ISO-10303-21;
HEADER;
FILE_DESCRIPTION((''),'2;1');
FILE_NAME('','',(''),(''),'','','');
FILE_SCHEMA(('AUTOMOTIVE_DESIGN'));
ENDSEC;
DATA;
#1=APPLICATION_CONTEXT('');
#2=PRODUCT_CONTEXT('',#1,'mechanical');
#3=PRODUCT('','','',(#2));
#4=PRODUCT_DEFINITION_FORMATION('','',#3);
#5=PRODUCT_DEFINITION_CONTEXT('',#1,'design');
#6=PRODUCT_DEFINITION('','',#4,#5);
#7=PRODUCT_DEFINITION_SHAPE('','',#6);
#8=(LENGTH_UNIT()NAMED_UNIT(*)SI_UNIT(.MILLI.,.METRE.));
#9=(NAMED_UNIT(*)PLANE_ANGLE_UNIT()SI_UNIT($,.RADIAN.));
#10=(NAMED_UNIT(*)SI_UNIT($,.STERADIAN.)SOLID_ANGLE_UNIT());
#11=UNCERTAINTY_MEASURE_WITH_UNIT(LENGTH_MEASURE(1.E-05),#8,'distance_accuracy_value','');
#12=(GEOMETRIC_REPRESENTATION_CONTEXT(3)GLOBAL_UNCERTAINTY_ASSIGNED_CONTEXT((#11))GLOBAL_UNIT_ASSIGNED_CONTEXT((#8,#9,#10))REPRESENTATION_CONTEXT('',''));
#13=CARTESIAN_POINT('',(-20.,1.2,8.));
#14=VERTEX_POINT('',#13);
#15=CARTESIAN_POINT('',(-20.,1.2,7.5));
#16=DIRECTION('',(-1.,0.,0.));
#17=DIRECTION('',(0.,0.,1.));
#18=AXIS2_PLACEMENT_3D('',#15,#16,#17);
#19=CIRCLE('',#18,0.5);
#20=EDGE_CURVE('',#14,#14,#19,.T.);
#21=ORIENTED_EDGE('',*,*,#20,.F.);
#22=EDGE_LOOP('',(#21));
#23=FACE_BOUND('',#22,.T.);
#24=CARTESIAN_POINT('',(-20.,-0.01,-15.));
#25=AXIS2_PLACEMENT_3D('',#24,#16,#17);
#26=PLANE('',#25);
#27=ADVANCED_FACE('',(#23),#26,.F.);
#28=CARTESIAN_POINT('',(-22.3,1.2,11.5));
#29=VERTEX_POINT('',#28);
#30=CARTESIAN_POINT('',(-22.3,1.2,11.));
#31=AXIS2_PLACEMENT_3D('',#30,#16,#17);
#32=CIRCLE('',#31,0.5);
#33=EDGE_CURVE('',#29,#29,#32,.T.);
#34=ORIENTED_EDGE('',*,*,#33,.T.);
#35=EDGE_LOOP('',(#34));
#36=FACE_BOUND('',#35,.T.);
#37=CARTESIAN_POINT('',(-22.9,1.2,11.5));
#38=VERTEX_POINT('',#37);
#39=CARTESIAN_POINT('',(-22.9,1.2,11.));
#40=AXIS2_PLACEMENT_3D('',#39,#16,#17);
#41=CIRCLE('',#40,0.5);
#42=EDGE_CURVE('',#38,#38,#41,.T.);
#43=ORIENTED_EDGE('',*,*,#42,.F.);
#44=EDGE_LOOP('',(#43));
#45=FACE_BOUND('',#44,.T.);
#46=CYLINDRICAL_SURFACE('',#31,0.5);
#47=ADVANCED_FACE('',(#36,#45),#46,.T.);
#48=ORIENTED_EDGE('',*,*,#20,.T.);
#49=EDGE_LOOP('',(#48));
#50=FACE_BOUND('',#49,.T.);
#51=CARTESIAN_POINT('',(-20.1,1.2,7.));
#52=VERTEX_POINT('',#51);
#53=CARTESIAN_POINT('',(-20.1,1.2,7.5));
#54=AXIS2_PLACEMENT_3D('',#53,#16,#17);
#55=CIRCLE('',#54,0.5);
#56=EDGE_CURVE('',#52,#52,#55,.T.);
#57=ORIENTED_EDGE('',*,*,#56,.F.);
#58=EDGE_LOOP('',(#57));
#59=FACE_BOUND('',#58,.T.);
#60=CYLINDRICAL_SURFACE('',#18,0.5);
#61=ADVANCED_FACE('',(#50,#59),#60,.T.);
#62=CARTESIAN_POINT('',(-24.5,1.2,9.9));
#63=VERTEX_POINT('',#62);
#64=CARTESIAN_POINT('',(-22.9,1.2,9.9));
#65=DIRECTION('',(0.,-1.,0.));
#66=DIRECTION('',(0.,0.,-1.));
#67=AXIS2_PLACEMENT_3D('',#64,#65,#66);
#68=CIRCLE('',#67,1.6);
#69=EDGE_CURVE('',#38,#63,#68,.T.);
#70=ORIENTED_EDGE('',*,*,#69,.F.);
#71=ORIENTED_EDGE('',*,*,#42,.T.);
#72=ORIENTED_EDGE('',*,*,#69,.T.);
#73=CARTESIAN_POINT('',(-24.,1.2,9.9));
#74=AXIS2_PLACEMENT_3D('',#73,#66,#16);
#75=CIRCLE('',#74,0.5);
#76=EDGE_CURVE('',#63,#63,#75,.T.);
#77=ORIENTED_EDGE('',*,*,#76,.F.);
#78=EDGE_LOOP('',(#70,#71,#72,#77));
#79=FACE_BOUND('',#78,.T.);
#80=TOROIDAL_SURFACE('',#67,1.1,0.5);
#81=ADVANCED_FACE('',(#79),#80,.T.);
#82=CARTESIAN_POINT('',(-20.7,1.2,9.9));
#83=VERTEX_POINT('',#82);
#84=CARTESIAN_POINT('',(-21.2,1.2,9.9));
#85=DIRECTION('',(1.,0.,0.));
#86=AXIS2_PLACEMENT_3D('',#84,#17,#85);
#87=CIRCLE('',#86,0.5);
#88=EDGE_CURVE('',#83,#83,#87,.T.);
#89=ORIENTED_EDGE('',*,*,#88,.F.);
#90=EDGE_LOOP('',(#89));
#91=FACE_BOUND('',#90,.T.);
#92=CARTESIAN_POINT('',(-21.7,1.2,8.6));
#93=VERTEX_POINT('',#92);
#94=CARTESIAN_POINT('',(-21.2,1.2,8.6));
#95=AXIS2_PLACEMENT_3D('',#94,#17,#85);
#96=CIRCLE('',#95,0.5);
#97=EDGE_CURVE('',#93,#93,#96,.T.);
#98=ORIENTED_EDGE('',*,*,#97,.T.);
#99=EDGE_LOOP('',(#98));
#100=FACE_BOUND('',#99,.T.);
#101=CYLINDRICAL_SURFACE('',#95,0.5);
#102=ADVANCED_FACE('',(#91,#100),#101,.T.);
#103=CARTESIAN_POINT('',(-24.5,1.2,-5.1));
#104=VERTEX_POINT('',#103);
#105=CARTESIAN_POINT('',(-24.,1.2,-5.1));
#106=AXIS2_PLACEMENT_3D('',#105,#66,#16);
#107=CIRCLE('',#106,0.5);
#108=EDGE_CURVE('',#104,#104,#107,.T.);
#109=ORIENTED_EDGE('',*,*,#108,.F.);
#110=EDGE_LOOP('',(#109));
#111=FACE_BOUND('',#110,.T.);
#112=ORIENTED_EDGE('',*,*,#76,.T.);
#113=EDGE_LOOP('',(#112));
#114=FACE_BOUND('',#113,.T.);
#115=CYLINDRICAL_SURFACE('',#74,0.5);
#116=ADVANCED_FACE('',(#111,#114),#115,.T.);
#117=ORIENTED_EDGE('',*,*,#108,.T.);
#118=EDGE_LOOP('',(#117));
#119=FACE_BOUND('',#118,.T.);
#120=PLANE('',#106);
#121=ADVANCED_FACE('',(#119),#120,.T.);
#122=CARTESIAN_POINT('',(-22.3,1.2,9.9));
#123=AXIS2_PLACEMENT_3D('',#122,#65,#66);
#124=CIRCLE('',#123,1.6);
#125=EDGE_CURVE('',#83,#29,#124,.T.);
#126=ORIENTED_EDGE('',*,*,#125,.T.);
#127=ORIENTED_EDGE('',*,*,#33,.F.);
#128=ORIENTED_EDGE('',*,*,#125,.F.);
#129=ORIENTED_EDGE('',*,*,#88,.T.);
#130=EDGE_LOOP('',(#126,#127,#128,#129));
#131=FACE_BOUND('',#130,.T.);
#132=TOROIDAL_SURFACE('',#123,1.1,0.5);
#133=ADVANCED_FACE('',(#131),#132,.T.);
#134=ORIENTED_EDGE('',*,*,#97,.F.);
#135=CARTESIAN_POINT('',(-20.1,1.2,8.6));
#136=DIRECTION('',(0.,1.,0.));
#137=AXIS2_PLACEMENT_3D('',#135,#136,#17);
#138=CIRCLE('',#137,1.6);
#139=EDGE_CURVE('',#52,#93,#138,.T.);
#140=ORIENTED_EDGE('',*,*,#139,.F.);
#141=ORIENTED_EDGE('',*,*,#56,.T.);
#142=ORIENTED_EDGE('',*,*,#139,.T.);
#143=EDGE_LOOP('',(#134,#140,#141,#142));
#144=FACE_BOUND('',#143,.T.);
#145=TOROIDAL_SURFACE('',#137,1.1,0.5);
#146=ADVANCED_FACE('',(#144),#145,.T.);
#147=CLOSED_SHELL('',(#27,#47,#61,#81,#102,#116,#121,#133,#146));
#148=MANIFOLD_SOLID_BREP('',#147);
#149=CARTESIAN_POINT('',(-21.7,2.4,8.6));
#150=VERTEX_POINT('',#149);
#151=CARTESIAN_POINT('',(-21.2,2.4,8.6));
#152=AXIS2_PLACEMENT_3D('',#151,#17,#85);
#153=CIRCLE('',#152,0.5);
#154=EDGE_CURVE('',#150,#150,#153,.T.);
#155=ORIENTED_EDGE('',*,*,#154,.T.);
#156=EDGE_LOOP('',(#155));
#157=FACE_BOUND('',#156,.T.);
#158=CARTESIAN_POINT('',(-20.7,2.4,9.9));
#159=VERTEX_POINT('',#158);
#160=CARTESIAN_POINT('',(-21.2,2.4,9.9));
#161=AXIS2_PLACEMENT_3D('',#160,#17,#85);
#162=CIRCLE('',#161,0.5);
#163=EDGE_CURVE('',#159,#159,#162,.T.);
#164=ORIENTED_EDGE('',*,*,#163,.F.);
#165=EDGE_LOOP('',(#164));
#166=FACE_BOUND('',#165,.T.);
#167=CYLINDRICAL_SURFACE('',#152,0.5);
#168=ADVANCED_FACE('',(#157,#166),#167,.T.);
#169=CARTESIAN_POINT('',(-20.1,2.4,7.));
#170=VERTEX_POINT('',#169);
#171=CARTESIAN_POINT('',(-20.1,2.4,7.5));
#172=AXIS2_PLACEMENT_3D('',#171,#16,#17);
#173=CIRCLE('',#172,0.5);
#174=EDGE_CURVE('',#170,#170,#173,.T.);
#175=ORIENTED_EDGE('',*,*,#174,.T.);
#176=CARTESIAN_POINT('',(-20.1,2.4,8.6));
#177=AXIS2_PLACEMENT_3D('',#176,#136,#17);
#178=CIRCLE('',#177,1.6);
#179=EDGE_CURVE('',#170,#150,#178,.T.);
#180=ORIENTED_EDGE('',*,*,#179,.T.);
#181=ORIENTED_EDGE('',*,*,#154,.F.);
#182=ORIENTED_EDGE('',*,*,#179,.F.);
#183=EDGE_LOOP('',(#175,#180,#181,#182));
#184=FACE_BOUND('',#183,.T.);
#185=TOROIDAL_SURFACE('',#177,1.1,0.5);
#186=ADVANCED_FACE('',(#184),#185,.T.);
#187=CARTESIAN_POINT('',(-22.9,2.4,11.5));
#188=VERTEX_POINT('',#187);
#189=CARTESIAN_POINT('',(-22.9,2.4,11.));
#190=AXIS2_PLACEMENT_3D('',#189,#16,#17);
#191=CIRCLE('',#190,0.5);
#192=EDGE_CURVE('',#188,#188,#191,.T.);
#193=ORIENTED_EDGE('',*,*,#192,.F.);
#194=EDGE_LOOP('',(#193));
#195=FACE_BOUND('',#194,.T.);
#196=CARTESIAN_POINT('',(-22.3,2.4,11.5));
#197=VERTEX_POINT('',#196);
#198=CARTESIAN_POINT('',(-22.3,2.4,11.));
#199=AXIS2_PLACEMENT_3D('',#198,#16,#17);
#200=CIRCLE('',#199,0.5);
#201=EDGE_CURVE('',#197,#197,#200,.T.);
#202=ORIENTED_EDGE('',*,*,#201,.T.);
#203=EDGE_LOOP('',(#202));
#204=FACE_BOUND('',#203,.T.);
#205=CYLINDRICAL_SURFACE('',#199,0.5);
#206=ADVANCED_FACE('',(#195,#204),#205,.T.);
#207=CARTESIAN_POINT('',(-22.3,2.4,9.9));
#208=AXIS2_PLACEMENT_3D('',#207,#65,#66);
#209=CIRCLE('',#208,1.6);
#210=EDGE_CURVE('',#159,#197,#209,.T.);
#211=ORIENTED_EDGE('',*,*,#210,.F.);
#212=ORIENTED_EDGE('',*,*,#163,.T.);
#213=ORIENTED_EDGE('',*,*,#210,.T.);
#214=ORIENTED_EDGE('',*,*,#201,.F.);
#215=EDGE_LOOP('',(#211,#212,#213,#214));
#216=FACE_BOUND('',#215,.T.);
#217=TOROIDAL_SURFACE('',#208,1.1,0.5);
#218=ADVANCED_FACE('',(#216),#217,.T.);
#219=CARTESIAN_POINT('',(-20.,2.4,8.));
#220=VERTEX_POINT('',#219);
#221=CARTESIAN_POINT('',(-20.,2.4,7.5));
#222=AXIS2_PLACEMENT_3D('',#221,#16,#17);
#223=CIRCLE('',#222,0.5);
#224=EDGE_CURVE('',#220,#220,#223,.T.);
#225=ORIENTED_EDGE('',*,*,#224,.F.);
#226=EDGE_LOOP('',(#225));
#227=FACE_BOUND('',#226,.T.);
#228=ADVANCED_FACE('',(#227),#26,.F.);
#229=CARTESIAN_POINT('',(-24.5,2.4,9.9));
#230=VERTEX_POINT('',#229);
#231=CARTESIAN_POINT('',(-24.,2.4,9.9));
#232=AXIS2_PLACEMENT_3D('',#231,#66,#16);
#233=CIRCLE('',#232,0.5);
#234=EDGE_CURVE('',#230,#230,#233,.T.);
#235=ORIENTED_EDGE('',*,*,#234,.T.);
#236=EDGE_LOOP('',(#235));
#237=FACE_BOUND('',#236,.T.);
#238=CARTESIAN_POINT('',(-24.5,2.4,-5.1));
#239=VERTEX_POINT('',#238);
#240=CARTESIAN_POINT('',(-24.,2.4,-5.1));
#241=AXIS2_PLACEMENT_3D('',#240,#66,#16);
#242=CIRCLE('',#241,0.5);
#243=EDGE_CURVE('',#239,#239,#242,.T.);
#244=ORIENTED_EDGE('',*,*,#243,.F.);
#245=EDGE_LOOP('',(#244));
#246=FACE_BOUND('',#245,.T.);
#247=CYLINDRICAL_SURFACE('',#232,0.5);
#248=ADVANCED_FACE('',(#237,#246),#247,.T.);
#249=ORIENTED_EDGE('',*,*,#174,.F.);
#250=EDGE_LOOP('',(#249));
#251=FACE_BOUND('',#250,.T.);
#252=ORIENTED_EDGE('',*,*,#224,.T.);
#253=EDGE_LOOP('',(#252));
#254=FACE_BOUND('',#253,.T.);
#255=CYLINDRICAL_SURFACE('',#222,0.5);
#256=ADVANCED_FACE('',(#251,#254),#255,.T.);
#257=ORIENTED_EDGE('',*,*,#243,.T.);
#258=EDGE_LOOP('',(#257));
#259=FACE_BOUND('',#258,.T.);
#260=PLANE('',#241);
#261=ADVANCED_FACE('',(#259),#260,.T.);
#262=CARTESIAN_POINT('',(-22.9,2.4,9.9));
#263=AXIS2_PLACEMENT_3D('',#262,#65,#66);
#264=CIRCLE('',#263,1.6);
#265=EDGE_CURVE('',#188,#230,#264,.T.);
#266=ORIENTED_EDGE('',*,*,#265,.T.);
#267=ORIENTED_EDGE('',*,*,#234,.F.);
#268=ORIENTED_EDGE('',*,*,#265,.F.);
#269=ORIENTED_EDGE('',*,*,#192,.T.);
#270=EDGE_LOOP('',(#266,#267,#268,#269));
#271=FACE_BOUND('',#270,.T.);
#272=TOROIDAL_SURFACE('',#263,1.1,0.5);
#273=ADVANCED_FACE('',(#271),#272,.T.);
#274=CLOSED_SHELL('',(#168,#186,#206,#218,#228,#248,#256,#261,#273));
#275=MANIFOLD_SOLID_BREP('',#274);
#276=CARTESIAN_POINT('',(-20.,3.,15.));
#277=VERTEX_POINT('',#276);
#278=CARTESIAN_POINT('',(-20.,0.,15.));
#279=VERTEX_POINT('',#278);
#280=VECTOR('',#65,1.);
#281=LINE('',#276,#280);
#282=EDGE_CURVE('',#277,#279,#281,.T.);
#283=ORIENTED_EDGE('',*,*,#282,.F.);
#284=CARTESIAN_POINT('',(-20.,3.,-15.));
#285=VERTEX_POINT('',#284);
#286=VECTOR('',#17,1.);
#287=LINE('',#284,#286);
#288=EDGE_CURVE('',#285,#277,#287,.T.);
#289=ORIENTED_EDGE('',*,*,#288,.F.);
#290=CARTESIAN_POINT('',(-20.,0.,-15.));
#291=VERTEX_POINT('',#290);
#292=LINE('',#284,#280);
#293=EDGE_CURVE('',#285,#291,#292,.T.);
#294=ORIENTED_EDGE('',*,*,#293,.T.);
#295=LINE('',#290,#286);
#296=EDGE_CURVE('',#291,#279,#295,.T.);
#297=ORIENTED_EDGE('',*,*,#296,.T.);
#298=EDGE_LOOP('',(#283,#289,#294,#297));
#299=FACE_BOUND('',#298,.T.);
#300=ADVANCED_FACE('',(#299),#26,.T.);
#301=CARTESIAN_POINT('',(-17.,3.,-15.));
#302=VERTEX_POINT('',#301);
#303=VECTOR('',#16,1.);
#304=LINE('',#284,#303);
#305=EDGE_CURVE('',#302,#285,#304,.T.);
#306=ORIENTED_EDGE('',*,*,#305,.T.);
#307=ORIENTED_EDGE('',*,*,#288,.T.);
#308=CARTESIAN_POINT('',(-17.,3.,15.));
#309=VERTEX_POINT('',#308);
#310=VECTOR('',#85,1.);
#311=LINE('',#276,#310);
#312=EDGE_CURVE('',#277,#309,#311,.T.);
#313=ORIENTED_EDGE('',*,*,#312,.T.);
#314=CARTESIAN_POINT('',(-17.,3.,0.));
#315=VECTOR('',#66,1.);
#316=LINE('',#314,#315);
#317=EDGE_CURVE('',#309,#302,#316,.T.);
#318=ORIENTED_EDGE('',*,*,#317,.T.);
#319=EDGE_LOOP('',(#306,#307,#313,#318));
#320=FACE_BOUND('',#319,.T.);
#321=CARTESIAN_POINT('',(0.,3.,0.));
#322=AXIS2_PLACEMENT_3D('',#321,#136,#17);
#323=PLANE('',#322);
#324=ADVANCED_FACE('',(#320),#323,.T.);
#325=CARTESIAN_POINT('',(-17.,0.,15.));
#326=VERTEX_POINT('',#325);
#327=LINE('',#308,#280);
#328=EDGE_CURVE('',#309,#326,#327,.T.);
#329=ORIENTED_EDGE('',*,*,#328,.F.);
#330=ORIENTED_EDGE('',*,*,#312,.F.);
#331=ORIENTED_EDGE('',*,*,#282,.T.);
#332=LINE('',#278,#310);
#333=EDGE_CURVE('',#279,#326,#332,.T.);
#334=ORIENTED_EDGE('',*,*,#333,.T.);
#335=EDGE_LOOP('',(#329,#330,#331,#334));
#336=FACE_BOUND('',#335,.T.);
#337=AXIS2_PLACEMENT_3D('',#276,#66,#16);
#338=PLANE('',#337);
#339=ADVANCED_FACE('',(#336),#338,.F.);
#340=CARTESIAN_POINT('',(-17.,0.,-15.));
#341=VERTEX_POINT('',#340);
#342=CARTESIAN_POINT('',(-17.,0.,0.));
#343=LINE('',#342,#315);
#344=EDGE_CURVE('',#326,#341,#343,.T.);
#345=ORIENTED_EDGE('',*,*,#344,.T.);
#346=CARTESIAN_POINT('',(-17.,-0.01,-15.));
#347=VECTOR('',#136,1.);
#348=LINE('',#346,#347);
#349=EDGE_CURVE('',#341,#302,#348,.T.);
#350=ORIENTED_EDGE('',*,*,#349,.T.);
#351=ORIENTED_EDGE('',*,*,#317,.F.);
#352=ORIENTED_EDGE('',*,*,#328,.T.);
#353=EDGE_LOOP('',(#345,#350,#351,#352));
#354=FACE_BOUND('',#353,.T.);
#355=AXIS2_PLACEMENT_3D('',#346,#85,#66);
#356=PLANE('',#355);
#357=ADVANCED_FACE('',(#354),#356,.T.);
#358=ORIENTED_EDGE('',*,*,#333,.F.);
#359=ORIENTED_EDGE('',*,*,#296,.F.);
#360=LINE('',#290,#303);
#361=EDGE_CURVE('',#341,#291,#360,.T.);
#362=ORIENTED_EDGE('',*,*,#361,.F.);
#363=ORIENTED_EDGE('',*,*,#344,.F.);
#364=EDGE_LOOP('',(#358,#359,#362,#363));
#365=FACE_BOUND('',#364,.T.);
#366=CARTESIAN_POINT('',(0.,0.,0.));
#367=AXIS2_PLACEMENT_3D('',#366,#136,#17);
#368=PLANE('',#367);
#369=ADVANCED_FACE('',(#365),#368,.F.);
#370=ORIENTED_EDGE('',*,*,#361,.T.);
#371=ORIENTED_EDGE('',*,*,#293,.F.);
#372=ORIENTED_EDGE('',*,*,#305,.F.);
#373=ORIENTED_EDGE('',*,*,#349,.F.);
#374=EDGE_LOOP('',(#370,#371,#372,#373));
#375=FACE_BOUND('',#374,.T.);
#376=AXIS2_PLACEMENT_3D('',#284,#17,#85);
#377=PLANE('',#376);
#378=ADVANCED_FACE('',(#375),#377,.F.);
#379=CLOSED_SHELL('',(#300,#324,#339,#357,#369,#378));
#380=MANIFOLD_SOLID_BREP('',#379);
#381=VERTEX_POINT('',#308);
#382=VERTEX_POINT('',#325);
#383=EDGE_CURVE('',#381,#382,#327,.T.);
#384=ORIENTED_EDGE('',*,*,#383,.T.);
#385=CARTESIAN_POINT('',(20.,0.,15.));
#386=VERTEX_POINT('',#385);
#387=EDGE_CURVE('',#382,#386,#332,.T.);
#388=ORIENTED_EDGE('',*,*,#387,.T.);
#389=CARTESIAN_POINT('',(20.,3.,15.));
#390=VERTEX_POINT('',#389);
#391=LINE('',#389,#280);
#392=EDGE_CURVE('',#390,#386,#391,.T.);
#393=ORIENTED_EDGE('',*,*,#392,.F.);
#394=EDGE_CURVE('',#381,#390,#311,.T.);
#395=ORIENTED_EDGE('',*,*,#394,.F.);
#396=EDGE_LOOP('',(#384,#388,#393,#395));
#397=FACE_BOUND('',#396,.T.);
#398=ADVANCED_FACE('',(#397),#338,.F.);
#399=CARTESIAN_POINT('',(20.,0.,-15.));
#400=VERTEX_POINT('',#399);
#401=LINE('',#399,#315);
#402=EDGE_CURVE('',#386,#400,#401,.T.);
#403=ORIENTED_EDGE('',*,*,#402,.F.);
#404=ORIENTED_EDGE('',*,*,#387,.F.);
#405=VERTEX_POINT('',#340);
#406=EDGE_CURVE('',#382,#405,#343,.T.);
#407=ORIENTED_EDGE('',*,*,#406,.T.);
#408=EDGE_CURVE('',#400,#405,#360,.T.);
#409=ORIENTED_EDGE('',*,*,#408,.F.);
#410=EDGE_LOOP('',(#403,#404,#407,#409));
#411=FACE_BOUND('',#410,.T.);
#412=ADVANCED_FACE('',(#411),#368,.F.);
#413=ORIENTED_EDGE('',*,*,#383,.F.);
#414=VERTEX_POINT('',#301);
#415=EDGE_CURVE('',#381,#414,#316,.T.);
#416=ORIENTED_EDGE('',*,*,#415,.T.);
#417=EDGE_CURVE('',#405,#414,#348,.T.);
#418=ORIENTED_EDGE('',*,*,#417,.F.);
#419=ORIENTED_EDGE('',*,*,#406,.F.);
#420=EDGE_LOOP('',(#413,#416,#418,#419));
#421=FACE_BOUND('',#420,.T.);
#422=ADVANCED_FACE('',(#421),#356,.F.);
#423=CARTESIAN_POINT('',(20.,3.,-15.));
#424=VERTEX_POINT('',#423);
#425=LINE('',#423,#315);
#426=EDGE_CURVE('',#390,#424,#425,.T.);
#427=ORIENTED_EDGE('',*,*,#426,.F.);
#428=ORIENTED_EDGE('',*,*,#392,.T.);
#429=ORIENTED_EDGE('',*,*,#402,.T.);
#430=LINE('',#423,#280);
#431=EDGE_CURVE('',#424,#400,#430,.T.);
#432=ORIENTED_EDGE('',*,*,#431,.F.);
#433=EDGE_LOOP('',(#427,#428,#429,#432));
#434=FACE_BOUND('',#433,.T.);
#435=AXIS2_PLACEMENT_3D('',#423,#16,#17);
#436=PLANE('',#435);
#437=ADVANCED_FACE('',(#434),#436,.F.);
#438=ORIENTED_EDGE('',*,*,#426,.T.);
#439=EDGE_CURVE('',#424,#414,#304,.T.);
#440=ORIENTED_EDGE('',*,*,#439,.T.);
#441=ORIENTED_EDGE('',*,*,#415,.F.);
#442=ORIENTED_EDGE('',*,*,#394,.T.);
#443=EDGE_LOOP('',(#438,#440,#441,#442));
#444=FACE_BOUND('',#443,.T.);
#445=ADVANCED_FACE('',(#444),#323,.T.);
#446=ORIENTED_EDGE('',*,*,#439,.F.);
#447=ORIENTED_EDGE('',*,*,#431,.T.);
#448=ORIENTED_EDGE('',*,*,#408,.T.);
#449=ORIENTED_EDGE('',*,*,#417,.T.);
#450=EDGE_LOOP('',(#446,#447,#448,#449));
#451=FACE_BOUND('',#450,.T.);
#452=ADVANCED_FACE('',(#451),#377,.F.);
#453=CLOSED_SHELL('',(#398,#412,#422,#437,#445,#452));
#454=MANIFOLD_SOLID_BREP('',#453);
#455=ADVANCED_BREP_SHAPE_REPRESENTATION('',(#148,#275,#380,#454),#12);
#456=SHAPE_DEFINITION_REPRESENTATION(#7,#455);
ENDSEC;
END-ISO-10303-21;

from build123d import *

# Parameters (mm, degrees)
SKETCH1_W              = 40
SKETCH1_H              = 30
BOSS_EXTRUDE1_DEPTH    = 3
SKETCH7_R              = 0.5
SKETCH5_R              = 0.5
SPLIT1_SURFACE_1_BACK  = 54.752
SPLIT1_SURFACE_1_DEPTH = 109.504
SPLIT1_SURFACE_2_BACK  = 54.752
SPLIT1_SURFACE_2_DEPTH = 109.504


with BuildPart() as part:
    # Sketch1 → Boss-Extrude1 (new body)
    with BuildSketch(Plane(origin=(0, 0, 0), x_dir=(1, 0, 0), z_dir=(0, 1, 0))):
        Rectangle(SKETCH1_W, SKETCH1_H)
    extrude(amount=BOSS_EXTRUDE1_DEPTH)

    # Sweep1: sweep along a path in Sketch3
    with BuildLine(Plane(origin=(0, 1.2, 0), x_dir=(-1, 0, 0), z_dir=(0, -1, 0))) as sweep1_path:
        Line((20, -7.5), (20.1, -7.5))
        ThreePointArc((20.1, -7.5), (20.877817459, -7.822182541), (21.2, -8.6))
        Line((21.2, -8.6), (21.2, -9.9))
        ThreePointArc((21.2, -9.9), (21.522182541, -10.677817459), (22.3, -11))
        Line((22.3, -11), (22.9, -11))
        ThreePointArc((22.9, -11), (23.677817459, -10.677817459), (24, -9.9))
        Line((24, -9.9), (24, 5.1))
    # Sketch7 → Sweep1 (sweep)
    with BuildSketch(Plane.ZY.offset(20)):
        with Locations((7.5, 1.2)):
            Circle(SKETCH7_R)
    sweep(path=sweep1_path.line)

    # Sweep2: sweep along a path in Sketch4
    with BuildLine(Plane(origin=(0, 2.4, 0), x_dir=(-1, 0, 0), z_dir=(0, -1, 0))) as sweep2_path:
        Line((20, -7.5), (20.1, -7.5))
        ThreePointArc((20.1, -7.5), (20.877817459, -7.822182541), (21.2, -8.6))
        Line((21.2, -8.6), (21.2, -9.9))
        ThreePointArc((21.2, -9.9), (21.522182541, -10.677817459), (22.3, -11))
        Line((22.3, -11), (22.9, -11))
        ThreePointArc((22.9, -11), (23.677817459, -10.677817459), (24, -9.9))
        Line((24, -9.9), (24, 5.1))
    # Sketch5 → Sweep2 (sweep)
    with BuildSketch(Plane.ZY.offset(20)):
        with Locations((7.5, 2.4)):
            Circle(SKETCH5_R)
    sweep(path=sweep2_path.line)


with BuildPart() as body_2:
    # Split1: the piece behind the surface
    add(part.part)
    # Split1 surface: a surface, the sketch's curves swept straight by 109.504 mm
    with BuildLine(Plane(origin=(0, 3, 0), x_dir=(1, 0, 0), z_dir=(0, 1, 0)).offset(-SPLIT1_SURFACE_1_BACK), mode=Mode.PRIVATE) as split1_surface_1_path:
        Line((-20, 15), (-17, 15))
        Line((-17, 15), (-17, -15))
        Line((-17, -15), (-20, -15))
        Line((-20, -15), (-20, 15))
    split1_surface_1 = Shell.extrude(split1_surface_1_path.wire(), (0 * SPLIT1_SURFACE_1_DEPTH, 1 * SPLIT1_SURFACE_1_DEPTH, 0 * SPLIT1_SURFACE_1_DEPTH))
    split(bisect_by=split1_surface_1, keep=Keep.BOTTOM)


with BuildPart() as part_1:
    add(part.part)

    # Split1: split by a surface, the side it looks to stays
    # Split1 surface: a surface, the sketch's curves swept straight by 109.504 mm
    with BuildLine(Plane(origin=(0, 3, 0), x_dir=(1, 0, 0), z_dir=(0, 1, 0)).offset(-SPLIT1_SURFACE_2_BACK), mode=Mode.PRIVATE) as split1_surface_2_path:
        Line((-20, 15), (-17, 15))
        Line((-17, 15), (-17, -15))
        Line((-17, -15), (-20, -15))
        Line((-20, -15), (-20, 15))
    split1_surface_2 = Shell.extrude(split1_surface_2_path.wire(), (0 * SPLIT1_SURFACE_2_DEPTH, 1 * SPLIT1_SURFACE_2_DEPTH, 0 * SPLIT1_SURFACE_2_DEPTH))
    split(bisect_by=split1_surface_2, keep=Keep.TOP)


solid = Compound([body_2.part, part_1.part])
